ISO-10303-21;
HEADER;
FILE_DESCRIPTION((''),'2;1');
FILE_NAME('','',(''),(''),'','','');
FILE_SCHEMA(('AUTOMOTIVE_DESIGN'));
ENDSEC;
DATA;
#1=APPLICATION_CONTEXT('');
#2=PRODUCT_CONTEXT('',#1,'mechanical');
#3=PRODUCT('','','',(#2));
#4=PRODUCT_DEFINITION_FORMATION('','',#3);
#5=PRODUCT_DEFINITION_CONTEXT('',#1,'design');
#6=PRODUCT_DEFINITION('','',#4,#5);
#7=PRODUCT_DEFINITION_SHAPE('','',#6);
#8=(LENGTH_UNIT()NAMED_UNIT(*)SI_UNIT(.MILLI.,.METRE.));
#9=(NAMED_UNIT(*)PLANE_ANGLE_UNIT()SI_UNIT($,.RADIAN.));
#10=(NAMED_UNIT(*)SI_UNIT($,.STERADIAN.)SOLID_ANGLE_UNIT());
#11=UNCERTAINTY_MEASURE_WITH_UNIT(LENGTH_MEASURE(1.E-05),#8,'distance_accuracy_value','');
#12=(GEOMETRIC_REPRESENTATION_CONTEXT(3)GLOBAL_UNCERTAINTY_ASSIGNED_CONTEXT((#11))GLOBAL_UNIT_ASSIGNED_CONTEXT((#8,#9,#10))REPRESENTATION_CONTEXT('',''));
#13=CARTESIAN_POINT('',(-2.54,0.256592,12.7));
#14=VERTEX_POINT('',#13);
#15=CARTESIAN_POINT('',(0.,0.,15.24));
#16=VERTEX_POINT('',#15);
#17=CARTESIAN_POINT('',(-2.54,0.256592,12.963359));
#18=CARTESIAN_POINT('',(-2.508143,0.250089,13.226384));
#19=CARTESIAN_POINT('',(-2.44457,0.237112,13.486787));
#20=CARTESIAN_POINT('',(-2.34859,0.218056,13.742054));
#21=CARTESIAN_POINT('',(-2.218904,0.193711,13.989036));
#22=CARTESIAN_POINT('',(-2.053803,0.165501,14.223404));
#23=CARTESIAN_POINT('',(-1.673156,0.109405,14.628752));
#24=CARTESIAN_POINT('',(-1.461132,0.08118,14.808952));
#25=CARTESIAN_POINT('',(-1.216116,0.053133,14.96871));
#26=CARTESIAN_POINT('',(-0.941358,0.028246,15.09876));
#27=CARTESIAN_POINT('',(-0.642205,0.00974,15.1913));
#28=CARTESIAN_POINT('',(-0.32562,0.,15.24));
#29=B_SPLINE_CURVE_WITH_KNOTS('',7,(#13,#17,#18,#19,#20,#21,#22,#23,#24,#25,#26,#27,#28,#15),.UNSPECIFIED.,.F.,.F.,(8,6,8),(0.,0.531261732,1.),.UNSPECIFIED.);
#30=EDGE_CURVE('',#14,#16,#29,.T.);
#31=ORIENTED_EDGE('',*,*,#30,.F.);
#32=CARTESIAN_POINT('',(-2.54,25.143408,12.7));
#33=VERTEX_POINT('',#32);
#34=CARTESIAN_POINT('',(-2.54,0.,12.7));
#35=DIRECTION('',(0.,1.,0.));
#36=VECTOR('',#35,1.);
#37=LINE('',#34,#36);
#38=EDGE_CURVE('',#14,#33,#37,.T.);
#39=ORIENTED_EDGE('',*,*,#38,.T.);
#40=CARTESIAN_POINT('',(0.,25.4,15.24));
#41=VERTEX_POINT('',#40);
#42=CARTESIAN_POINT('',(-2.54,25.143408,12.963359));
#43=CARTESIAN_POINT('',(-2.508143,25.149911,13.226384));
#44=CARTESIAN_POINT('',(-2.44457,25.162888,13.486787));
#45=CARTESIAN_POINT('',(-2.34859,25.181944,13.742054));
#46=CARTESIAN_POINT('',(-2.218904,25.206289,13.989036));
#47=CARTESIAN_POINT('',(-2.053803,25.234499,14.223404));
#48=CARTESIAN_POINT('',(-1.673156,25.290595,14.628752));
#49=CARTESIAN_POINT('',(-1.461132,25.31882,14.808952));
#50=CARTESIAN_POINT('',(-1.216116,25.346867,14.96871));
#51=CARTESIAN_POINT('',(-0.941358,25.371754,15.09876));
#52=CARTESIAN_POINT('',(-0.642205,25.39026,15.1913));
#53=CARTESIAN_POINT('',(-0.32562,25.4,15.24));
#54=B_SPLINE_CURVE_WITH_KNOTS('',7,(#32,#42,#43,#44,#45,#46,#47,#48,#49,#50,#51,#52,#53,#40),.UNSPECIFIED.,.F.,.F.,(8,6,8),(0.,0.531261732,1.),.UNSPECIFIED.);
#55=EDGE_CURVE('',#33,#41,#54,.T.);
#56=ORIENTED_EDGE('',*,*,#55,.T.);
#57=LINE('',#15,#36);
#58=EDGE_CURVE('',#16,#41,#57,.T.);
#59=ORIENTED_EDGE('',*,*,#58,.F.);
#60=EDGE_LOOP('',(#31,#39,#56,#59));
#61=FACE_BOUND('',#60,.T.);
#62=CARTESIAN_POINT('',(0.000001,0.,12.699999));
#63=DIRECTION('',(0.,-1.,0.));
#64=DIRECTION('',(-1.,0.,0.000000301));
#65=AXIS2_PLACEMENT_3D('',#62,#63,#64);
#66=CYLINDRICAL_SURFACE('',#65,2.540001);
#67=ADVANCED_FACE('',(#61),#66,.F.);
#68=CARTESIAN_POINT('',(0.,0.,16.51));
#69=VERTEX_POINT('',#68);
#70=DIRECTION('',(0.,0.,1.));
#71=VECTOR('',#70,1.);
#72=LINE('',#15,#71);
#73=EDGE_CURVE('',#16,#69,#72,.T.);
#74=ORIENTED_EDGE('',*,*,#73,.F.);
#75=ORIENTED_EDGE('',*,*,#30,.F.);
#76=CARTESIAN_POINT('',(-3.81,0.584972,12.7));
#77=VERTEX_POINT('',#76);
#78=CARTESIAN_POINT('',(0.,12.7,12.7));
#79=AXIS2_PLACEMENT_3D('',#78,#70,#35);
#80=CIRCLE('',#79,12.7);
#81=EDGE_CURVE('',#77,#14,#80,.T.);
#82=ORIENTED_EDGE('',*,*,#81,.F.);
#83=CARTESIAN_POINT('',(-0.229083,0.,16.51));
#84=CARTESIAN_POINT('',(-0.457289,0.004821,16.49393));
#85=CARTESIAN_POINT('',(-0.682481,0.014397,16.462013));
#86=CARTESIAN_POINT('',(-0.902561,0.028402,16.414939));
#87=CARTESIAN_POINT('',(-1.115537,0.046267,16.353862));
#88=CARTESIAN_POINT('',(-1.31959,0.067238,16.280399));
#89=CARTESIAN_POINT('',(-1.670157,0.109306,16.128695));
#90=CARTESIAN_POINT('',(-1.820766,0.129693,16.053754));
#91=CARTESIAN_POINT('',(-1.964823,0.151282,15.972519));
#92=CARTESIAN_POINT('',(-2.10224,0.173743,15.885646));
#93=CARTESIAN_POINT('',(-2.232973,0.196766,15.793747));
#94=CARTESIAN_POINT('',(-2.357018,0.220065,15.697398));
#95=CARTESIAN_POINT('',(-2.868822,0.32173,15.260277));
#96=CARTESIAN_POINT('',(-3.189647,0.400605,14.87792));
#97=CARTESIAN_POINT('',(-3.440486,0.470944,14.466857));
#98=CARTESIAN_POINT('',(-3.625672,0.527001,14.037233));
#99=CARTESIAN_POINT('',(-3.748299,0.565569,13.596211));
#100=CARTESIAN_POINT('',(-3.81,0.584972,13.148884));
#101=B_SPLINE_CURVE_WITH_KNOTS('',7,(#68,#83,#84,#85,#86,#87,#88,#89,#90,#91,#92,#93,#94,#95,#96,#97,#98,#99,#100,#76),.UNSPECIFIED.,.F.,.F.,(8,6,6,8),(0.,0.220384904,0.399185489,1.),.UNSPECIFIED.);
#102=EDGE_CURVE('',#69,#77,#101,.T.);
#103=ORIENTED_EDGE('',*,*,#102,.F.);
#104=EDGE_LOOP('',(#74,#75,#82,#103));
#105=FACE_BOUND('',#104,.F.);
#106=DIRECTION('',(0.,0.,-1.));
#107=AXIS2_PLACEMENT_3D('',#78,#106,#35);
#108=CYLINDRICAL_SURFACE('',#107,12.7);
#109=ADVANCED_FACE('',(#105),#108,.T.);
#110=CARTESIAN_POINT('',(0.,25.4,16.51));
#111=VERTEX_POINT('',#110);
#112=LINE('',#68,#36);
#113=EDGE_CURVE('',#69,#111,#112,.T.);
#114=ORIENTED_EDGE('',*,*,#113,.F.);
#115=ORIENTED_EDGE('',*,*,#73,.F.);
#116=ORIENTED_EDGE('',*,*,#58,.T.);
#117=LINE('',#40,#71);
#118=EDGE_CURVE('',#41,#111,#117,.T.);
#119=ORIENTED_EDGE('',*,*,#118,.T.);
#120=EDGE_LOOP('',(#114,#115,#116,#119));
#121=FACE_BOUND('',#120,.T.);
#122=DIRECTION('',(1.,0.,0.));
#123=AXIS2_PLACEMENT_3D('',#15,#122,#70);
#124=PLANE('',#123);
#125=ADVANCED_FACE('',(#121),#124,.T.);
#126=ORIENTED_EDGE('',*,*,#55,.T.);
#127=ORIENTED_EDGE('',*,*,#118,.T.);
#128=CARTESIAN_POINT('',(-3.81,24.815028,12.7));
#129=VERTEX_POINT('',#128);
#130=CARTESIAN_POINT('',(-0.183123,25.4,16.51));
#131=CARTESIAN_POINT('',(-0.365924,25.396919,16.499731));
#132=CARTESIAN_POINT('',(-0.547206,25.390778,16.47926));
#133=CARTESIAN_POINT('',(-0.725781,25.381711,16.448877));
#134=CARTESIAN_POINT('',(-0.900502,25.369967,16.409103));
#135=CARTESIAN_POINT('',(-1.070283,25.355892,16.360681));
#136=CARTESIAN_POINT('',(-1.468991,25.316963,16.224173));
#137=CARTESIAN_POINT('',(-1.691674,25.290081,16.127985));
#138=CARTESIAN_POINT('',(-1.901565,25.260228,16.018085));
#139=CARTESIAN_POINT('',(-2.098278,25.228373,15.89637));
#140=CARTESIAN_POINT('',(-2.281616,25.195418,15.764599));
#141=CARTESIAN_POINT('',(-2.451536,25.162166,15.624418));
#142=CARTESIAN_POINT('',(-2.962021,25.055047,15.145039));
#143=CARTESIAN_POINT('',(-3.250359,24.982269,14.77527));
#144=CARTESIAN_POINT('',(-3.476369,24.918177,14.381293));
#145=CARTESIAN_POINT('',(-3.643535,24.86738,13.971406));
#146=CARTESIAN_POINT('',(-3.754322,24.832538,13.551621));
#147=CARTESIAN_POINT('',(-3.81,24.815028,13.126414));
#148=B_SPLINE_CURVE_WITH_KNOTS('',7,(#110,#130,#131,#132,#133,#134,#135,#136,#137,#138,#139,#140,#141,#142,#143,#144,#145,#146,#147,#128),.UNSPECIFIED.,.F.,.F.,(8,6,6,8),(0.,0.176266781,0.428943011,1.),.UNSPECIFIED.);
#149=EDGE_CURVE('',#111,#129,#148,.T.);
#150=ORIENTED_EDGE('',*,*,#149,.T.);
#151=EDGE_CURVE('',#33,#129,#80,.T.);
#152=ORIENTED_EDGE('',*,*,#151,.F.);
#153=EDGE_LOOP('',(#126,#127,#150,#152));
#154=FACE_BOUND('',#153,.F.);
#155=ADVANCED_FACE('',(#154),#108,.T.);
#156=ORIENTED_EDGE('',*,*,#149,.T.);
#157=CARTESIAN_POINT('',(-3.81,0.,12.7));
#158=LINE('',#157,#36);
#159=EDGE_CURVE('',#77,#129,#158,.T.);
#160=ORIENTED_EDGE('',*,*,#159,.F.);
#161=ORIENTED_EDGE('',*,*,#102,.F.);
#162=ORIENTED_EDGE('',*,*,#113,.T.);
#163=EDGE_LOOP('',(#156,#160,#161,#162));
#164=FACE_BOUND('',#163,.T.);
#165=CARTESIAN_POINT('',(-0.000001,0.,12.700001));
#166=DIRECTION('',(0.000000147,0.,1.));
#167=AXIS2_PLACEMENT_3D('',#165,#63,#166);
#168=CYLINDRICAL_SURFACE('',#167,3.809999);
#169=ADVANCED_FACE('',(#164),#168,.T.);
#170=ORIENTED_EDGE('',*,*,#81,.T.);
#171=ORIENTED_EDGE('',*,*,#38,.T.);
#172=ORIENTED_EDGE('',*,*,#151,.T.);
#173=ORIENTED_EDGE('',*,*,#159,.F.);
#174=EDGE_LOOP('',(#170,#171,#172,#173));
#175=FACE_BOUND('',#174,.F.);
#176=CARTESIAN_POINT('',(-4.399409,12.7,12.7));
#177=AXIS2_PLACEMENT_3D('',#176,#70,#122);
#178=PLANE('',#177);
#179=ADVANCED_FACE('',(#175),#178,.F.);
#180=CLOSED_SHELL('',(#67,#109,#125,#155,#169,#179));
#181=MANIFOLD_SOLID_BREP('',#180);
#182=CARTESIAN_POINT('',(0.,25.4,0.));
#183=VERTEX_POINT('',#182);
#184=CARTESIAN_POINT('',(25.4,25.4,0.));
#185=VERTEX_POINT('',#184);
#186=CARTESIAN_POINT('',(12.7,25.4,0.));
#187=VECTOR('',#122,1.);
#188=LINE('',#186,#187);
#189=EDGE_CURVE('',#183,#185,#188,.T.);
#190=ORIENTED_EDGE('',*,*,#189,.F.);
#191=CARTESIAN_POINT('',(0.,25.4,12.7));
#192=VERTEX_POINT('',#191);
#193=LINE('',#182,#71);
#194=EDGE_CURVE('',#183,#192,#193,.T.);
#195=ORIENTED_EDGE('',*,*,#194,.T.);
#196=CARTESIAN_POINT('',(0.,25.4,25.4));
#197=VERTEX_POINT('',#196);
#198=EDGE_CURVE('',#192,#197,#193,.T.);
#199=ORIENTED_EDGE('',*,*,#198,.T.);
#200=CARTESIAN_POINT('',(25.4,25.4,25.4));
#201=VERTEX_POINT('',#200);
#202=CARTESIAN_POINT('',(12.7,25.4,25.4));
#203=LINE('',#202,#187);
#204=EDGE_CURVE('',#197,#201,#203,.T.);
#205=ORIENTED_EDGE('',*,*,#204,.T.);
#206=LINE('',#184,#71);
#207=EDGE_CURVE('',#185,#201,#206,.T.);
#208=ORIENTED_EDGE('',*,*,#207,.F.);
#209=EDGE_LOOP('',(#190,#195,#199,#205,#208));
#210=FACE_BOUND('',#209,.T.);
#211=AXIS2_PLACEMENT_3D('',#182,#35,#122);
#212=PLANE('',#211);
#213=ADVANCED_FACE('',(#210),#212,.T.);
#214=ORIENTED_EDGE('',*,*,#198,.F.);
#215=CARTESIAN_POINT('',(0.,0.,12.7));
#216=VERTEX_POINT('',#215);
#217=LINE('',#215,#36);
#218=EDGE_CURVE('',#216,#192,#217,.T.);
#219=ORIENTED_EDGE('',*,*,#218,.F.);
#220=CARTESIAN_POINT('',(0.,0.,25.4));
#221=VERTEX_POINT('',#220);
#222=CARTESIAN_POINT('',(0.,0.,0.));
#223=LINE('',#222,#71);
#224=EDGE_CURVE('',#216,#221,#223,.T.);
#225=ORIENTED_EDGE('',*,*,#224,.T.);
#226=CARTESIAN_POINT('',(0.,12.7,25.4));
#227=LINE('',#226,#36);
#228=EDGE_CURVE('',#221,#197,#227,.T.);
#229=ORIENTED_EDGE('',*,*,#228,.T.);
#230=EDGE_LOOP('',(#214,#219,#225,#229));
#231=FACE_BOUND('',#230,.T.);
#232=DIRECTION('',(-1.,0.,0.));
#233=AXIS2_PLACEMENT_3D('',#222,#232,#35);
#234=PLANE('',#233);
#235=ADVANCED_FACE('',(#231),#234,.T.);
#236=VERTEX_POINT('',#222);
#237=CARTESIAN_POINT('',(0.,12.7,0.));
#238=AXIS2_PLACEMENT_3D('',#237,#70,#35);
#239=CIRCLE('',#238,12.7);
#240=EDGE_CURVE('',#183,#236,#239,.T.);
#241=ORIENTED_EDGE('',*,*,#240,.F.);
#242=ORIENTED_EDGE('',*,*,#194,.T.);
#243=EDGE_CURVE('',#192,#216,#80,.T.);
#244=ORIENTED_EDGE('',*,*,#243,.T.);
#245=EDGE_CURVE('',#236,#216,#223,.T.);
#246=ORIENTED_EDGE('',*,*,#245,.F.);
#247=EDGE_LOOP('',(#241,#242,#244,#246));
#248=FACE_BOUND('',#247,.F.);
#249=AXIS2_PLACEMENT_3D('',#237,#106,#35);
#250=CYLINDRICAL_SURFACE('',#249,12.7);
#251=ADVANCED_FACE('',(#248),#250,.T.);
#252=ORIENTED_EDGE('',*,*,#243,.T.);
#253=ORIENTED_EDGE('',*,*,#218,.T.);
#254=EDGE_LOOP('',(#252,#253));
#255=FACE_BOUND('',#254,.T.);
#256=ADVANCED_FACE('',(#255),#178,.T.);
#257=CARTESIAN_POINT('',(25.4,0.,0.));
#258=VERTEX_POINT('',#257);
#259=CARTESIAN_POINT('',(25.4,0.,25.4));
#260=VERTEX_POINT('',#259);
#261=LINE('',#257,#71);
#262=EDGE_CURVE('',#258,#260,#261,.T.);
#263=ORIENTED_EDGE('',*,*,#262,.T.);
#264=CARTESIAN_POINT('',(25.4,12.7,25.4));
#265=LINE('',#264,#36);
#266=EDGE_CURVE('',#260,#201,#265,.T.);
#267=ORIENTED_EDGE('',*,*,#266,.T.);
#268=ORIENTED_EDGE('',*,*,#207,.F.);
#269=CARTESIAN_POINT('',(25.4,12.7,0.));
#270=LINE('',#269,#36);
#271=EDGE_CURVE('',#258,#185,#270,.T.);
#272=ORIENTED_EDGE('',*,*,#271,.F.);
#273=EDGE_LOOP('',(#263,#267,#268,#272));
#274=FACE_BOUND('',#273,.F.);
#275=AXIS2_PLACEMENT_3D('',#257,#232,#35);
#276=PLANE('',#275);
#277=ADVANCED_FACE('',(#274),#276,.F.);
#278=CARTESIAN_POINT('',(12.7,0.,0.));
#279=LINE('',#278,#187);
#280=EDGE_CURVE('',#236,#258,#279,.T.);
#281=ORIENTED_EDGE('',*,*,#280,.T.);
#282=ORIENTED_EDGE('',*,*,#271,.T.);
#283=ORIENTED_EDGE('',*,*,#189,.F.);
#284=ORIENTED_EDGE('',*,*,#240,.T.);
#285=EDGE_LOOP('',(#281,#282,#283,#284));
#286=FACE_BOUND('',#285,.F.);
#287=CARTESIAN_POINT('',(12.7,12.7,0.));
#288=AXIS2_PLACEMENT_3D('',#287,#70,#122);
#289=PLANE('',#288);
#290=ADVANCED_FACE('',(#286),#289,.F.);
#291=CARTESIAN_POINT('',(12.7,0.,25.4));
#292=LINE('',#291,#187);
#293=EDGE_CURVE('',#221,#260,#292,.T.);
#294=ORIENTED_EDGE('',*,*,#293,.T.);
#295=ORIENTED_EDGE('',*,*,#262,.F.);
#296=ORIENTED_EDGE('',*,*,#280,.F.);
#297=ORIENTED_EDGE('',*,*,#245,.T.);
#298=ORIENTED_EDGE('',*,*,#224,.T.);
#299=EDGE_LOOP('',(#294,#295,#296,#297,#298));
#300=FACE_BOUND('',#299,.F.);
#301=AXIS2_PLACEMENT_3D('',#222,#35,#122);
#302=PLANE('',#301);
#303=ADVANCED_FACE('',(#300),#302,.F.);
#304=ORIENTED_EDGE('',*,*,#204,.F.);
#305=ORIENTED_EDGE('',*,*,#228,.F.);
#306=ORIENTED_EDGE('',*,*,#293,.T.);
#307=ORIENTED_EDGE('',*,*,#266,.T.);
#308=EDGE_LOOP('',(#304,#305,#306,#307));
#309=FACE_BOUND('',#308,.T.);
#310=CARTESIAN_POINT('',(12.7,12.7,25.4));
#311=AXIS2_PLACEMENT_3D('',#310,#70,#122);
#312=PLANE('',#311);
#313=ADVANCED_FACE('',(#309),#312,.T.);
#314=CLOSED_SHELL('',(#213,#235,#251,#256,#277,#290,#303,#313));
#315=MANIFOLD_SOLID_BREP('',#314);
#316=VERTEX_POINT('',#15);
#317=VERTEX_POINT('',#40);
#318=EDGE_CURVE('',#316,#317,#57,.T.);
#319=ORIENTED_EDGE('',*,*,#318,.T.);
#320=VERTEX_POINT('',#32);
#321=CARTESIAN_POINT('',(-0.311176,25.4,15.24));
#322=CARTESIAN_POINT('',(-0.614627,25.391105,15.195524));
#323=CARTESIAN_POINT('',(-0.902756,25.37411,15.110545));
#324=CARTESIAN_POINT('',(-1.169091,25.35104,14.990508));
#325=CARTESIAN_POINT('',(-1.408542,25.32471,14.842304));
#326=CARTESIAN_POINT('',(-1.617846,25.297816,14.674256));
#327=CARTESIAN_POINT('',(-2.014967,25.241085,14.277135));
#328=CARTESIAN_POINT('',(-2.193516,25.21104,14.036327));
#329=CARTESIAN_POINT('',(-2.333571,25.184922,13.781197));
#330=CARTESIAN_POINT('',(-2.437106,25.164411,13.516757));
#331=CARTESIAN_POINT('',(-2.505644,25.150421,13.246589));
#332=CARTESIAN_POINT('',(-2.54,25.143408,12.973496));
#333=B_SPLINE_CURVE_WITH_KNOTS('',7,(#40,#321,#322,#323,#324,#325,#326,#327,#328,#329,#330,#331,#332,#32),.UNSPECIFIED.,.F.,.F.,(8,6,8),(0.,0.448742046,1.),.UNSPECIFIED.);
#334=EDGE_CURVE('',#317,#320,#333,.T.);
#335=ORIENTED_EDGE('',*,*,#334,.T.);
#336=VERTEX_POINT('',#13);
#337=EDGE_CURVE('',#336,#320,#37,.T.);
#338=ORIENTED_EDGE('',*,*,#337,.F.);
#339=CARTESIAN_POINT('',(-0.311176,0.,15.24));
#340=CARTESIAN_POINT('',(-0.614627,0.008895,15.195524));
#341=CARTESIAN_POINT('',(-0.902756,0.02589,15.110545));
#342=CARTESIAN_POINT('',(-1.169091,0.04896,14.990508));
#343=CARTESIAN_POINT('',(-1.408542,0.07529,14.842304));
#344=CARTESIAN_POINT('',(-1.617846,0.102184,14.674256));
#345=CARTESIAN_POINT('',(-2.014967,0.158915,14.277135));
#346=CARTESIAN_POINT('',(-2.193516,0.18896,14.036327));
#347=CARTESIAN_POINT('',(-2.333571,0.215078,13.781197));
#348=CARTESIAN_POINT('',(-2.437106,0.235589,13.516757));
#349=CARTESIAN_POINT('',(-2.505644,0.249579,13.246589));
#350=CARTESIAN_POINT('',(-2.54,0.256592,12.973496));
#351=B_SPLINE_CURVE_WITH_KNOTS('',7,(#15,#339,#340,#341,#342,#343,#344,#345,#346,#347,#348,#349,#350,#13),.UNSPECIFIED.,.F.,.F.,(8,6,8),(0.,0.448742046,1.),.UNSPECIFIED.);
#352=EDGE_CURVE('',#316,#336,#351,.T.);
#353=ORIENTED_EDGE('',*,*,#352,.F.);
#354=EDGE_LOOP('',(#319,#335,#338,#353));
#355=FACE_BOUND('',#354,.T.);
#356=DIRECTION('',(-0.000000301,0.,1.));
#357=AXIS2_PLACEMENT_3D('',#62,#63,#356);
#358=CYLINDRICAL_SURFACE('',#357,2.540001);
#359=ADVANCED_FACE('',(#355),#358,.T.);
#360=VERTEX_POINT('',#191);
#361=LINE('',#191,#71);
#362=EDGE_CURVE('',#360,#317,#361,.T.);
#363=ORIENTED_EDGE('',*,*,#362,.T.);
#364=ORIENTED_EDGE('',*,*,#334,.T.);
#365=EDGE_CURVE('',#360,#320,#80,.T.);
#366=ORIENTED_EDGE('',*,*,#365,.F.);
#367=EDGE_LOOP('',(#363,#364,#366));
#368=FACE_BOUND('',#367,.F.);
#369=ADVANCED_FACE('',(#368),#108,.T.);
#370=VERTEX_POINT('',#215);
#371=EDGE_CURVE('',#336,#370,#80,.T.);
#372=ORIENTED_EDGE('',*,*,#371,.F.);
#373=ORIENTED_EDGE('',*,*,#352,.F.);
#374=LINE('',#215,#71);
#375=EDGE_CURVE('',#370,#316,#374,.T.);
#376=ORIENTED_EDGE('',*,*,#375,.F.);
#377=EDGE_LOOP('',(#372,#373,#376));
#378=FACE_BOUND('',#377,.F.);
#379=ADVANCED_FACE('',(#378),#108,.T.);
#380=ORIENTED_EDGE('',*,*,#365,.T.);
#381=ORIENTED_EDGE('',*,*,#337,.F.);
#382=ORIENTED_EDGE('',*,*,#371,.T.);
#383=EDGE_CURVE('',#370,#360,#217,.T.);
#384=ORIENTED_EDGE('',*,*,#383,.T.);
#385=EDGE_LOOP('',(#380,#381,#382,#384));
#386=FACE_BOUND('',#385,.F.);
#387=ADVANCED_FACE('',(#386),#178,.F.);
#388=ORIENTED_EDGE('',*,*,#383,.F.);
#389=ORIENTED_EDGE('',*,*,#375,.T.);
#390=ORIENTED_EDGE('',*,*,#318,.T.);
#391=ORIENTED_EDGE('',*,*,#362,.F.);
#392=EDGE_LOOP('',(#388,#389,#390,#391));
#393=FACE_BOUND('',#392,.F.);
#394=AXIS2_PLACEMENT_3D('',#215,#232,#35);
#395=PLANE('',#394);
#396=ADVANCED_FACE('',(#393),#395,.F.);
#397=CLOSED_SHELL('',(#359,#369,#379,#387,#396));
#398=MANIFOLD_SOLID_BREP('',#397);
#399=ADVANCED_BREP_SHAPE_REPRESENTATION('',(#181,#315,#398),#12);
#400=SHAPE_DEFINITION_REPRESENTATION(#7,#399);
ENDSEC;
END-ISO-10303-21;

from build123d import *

# Parameters (mm, degrees)
F1_DEPTH  = 12.7
F0_W      = 25.4
F0_H      = 25.4
F2_DEPTH  = 25.4
F4_DEPTH  = 25.4
F6_DEPTH  = 25.4
F8_DEPTH  = 25.4
F10_DEPTH = 25.4


with BuildPart() as f1:
    # F0 (on Top) → F1 (new body)
    with BuildSketch(Plane.XY):
        with BuildLine():
            ThreePointArc((0, 25.4), (-12.7, 12.7), (0, 0))
            Line((0, 0), (0, 25.4))
        make_face()
    extrude(amount=F1_DEPTH)

    # F0 (on Top) → F2 (join)
    with BuildSketch(Plane.XY):
        with Locations((12.7, 12.7)):
            Rectangle(F0_W, F0_H)
    extrude(amount=F2_DEPTH)


with BuildPart() as f4:
    # F3 (on face) → F4 (new body)
    with BuildSketch(Plane.XZ):
        with BuildLine():
            Line((-2.54, 12.7), (0, 12.7))
            Line((0, 12.7), (0, 15.24))
            ThreePointArc((0, 15.24), (-1.796051, 14.496051), (-2.54, 12.7))
        make_face()
    extrude(amount=-F4_DEPTH)


with BuildPart() as f6:
    # F5 (on face) → F6 (new body)
    with BuildSketch(Plane.XZ):
        with BuildLine():
            Line((-3.81, 12.7), (-2.54, 12.7))
            ThreePointArc((-2.54, 12.7), (-1.796051, 14.496051), (0, 15.24))
            Line((0, 15.24), (0, 16.51))
            ThreePointArc((0, 16.51), (-2.694077, 15.394077), (-3.81, 12.7))
        make_face()
    extrude(amount=-F6_DEPTH)


with BuildPart() as f8:
    # F7 (on face) → F8 (new body)
    with BuildSketch(Plane.XY.offset(12.7)):
        with BuildLine():
            Line((0, 0), (0, 25.4))
            ThreePointArc((0, 25.4), (-12.7, 12.7), (0, 0))
        make_face()
    extrude(amount=F8_DEPTH)

    # F9: intersect F4
    add(f4.part, mode=Mode.INTERSECT)


with BuildPart() as f10:
    # F1_face (on face) → F10 (new body)
    with BuildSketch(Plane(origin=(-5.390047, 12.7, 12.7), x_dir=(1, 0, 0), z_dir=(0, 0, 1))):
        with BuildLine():
            Line((5.390047, -12.7), (5.390047, 12.7))
            ThreePointArc((5.390047, 12.7), (-7.309953, 0), (5.390047, -12.7))
        make_face()
    extrude(amount=F10_DEPTH)

    # F11: intersect F6
    add(f6.part, mode=Mode.INTERSECT)


solid = Compound([f1.part, f8.part, f10.part])
